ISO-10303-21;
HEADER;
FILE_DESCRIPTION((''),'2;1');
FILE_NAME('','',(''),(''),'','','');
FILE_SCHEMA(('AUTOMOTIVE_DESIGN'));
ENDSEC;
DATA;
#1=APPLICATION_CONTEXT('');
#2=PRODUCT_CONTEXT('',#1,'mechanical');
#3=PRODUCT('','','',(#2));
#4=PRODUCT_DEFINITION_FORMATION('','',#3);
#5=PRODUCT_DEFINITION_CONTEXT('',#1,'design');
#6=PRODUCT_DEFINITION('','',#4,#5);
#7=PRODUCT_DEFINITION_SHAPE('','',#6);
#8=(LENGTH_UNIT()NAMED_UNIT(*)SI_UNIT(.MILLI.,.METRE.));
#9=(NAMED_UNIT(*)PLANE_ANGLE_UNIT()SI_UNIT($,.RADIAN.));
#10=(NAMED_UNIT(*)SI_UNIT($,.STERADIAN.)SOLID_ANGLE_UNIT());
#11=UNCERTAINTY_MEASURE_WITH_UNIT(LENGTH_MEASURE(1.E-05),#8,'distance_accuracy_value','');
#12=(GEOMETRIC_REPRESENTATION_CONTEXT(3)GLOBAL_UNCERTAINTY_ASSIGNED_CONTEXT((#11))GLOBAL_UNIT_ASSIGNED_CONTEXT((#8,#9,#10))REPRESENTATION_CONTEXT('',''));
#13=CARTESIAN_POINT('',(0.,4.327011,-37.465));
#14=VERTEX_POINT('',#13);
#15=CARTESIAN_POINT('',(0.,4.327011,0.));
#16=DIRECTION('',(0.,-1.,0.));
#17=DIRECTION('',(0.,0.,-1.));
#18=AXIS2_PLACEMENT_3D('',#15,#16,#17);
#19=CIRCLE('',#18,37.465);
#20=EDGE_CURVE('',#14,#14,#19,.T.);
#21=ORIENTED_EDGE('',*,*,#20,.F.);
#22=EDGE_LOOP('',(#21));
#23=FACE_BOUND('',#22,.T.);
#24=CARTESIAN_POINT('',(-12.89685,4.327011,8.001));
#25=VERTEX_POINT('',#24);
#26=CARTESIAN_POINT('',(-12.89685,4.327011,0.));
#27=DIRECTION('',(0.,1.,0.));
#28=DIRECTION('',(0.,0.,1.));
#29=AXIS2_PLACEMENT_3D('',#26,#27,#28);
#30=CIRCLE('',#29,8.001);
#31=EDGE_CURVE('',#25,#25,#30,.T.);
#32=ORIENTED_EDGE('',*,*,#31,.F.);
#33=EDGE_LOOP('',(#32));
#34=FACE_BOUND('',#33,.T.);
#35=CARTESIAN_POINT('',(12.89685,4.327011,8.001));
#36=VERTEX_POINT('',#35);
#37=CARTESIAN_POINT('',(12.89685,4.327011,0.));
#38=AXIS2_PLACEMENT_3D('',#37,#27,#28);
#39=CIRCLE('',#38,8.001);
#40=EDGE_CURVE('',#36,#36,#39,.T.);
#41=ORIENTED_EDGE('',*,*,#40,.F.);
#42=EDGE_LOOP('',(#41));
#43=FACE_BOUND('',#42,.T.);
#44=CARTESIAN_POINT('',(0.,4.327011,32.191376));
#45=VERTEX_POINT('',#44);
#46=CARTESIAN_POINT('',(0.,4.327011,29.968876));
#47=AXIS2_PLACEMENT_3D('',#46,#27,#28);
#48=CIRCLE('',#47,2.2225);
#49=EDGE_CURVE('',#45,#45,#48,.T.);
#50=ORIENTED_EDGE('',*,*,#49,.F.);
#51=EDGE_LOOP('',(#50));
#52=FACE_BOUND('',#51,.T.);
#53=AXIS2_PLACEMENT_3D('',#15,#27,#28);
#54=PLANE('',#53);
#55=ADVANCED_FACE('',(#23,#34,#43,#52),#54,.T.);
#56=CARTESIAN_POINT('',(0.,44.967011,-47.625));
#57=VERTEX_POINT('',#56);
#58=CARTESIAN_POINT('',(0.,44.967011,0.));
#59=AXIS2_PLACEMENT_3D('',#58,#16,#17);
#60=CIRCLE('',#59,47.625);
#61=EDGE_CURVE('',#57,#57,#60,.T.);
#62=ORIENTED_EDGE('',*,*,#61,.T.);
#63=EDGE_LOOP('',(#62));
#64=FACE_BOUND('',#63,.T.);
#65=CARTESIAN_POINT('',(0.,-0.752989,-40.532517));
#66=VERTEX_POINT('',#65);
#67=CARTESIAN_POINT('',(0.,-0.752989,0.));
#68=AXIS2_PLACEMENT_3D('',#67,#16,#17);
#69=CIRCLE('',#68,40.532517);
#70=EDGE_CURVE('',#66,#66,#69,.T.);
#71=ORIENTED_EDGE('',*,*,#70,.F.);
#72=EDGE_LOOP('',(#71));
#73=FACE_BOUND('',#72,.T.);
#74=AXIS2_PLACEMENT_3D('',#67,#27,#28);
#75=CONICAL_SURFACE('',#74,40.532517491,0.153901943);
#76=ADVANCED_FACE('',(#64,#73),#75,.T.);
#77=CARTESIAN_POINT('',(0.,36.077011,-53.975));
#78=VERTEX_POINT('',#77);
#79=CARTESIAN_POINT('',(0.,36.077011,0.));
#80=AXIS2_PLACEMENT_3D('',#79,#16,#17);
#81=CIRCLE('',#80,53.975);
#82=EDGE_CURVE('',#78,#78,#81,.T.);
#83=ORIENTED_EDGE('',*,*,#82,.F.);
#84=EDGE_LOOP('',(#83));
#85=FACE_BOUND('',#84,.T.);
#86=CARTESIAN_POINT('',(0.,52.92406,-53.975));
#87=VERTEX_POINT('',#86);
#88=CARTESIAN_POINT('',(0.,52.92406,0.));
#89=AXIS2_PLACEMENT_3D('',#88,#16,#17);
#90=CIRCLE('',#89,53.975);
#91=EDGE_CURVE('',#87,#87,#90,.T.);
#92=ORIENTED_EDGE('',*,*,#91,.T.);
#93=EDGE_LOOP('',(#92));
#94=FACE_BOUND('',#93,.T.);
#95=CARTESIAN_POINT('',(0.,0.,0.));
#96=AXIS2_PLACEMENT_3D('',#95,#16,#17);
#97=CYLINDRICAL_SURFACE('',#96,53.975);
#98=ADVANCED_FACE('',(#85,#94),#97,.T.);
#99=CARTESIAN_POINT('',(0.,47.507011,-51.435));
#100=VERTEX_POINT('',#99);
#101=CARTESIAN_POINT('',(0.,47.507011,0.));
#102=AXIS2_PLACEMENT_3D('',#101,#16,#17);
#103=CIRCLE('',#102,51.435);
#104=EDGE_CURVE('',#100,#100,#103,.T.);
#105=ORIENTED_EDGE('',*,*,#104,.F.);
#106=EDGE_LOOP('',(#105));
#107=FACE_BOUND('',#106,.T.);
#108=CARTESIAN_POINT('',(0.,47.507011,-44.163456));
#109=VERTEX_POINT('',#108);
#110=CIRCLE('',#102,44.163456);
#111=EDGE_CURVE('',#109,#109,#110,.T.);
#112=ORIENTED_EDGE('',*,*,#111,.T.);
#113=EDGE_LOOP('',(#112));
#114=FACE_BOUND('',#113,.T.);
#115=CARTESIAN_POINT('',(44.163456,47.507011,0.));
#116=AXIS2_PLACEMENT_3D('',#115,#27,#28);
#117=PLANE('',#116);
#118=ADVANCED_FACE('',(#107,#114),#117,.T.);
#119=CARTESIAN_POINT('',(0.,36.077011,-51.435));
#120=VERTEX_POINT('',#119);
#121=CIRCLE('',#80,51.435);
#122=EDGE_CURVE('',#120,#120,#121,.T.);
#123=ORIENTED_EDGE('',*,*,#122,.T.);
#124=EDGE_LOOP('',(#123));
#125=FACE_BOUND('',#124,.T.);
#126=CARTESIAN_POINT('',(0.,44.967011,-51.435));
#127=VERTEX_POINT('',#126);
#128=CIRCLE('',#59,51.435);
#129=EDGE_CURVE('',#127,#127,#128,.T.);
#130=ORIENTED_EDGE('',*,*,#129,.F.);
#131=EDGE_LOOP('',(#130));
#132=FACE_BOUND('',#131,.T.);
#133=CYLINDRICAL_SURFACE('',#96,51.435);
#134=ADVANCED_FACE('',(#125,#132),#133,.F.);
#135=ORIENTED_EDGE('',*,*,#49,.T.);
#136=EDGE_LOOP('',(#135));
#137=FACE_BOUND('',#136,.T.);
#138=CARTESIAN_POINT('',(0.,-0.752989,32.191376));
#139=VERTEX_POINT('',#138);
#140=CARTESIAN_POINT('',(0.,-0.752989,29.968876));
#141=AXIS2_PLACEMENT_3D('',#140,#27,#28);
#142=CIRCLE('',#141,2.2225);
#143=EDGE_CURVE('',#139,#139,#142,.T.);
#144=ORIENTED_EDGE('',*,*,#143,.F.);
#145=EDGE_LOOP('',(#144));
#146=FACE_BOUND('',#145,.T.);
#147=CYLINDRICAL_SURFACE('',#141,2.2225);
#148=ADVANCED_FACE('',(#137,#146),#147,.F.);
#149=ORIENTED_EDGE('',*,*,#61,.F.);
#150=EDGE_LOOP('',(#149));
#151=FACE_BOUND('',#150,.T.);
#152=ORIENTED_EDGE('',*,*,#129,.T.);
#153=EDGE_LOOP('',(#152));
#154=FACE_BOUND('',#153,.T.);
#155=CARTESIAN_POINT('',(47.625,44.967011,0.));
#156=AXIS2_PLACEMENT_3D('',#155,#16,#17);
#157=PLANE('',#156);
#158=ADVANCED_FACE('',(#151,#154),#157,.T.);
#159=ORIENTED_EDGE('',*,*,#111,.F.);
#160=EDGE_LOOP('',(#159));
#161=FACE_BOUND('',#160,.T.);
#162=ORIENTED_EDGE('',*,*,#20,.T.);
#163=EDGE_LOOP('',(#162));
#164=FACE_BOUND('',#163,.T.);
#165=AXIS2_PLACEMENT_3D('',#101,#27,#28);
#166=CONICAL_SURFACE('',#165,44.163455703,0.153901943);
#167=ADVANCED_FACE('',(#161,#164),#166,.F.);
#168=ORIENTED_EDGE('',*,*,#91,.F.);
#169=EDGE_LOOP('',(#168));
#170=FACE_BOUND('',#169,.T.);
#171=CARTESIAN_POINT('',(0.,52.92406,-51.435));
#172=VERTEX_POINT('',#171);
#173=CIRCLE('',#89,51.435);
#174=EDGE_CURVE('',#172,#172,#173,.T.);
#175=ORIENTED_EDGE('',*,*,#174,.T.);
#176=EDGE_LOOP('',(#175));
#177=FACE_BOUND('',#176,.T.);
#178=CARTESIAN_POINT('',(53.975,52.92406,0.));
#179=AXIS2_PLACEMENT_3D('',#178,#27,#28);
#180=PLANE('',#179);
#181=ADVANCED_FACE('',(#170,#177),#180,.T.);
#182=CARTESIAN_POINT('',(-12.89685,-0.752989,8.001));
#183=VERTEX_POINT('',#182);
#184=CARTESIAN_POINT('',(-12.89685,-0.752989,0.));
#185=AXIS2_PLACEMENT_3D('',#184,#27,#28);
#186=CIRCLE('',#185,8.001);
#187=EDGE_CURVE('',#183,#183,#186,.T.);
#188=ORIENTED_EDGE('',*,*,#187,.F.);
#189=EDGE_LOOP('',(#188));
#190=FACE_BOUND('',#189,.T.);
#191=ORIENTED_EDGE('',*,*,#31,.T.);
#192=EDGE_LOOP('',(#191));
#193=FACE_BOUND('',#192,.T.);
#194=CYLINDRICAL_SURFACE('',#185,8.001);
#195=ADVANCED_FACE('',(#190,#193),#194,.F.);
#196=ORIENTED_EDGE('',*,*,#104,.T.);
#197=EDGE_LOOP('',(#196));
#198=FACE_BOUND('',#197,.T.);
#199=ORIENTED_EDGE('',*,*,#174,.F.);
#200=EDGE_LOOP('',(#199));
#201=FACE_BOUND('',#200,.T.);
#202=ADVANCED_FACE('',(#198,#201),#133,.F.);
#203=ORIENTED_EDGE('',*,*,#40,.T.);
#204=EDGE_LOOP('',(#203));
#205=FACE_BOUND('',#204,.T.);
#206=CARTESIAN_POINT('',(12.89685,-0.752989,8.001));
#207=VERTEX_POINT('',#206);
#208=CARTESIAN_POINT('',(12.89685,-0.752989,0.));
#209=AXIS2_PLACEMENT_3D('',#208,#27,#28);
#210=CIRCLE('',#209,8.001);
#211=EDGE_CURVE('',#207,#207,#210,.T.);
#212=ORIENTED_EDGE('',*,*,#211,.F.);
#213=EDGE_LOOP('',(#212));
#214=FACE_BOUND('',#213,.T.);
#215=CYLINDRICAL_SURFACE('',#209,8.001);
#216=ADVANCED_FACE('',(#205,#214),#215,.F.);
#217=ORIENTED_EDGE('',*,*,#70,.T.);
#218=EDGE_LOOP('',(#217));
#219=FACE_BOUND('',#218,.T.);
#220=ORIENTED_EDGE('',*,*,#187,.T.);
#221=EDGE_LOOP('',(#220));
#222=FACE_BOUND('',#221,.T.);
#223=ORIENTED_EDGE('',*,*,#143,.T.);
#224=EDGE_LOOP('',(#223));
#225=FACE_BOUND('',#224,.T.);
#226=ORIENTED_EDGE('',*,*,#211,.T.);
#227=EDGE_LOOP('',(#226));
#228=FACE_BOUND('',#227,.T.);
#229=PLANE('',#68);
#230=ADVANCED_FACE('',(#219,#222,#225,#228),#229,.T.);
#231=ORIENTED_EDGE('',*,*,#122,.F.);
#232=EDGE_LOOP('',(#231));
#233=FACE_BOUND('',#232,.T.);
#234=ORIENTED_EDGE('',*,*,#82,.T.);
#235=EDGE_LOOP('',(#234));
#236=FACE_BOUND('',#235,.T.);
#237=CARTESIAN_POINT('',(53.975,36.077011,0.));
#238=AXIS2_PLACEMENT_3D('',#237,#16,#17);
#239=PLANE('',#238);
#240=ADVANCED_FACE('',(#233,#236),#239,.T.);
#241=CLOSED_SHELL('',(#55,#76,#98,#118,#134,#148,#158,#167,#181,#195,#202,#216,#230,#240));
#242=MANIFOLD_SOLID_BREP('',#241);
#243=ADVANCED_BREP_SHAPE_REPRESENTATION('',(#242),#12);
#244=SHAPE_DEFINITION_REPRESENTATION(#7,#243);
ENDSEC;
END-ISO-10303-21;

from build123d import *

# Parameters (mm, degrees)
SKETCH2_R          = 8.001
SKETCH2_R_2        = 2.2225
CUT_EXTRUDE1_DEPTH = 91.48908463


with BuildPart() as part:
    # Sketch1 → Revolve1 (revolve)
    with BuildSketch(Plane.XY, mode=Mode.PRIVATE) as revolve1_sk:
        Polygon((37.465, 4.32701069), (44.163455703, 47.50701069), (51.435, 47.50701069), (51.435, 52.924059852), (53.975, 52.924059852), (53.975, 46.574059852), (53.975, 36.07701069), (51.435, 36.07701069), (51.435, 44.96701069), (47.625, 44.96701069), (40.532517491, -0.75298931), (0, -0.75298931), (0, 4.32701069), align=None)
    revolve(revolve1_sk.sketch.rotate(Axis((0, 0, 0), (0, 1, 0)), 90), axis=Axis((0, 0, 0), (0, 1, 0)))

    # Sketch2 → Cut-Extrude1 (cut, through all)
    with BuildSketch(Plane(origin=(0, 4.32701069, 0), x_dir=(1, 0, 0), z_dir=(0, 1, 0))):
        with Locations(Location((-12.89685, 0, 0), (0, 0, 270))):
            Circle(SKETCH2_R)
        with Locations(Location((12.89685, 0, 0), (0, 0, 270))):
            Circle(SKETCH2_R)
        with Locations(Location((0, -29.968876042, 0), (0, 0, 270))):
            Circle(SKETCH2_R_2)
    extrude(amount=-CUT_EXTRUDE1_DEPTH, mode=Mode.SUBTRACT)


solid = part.part
